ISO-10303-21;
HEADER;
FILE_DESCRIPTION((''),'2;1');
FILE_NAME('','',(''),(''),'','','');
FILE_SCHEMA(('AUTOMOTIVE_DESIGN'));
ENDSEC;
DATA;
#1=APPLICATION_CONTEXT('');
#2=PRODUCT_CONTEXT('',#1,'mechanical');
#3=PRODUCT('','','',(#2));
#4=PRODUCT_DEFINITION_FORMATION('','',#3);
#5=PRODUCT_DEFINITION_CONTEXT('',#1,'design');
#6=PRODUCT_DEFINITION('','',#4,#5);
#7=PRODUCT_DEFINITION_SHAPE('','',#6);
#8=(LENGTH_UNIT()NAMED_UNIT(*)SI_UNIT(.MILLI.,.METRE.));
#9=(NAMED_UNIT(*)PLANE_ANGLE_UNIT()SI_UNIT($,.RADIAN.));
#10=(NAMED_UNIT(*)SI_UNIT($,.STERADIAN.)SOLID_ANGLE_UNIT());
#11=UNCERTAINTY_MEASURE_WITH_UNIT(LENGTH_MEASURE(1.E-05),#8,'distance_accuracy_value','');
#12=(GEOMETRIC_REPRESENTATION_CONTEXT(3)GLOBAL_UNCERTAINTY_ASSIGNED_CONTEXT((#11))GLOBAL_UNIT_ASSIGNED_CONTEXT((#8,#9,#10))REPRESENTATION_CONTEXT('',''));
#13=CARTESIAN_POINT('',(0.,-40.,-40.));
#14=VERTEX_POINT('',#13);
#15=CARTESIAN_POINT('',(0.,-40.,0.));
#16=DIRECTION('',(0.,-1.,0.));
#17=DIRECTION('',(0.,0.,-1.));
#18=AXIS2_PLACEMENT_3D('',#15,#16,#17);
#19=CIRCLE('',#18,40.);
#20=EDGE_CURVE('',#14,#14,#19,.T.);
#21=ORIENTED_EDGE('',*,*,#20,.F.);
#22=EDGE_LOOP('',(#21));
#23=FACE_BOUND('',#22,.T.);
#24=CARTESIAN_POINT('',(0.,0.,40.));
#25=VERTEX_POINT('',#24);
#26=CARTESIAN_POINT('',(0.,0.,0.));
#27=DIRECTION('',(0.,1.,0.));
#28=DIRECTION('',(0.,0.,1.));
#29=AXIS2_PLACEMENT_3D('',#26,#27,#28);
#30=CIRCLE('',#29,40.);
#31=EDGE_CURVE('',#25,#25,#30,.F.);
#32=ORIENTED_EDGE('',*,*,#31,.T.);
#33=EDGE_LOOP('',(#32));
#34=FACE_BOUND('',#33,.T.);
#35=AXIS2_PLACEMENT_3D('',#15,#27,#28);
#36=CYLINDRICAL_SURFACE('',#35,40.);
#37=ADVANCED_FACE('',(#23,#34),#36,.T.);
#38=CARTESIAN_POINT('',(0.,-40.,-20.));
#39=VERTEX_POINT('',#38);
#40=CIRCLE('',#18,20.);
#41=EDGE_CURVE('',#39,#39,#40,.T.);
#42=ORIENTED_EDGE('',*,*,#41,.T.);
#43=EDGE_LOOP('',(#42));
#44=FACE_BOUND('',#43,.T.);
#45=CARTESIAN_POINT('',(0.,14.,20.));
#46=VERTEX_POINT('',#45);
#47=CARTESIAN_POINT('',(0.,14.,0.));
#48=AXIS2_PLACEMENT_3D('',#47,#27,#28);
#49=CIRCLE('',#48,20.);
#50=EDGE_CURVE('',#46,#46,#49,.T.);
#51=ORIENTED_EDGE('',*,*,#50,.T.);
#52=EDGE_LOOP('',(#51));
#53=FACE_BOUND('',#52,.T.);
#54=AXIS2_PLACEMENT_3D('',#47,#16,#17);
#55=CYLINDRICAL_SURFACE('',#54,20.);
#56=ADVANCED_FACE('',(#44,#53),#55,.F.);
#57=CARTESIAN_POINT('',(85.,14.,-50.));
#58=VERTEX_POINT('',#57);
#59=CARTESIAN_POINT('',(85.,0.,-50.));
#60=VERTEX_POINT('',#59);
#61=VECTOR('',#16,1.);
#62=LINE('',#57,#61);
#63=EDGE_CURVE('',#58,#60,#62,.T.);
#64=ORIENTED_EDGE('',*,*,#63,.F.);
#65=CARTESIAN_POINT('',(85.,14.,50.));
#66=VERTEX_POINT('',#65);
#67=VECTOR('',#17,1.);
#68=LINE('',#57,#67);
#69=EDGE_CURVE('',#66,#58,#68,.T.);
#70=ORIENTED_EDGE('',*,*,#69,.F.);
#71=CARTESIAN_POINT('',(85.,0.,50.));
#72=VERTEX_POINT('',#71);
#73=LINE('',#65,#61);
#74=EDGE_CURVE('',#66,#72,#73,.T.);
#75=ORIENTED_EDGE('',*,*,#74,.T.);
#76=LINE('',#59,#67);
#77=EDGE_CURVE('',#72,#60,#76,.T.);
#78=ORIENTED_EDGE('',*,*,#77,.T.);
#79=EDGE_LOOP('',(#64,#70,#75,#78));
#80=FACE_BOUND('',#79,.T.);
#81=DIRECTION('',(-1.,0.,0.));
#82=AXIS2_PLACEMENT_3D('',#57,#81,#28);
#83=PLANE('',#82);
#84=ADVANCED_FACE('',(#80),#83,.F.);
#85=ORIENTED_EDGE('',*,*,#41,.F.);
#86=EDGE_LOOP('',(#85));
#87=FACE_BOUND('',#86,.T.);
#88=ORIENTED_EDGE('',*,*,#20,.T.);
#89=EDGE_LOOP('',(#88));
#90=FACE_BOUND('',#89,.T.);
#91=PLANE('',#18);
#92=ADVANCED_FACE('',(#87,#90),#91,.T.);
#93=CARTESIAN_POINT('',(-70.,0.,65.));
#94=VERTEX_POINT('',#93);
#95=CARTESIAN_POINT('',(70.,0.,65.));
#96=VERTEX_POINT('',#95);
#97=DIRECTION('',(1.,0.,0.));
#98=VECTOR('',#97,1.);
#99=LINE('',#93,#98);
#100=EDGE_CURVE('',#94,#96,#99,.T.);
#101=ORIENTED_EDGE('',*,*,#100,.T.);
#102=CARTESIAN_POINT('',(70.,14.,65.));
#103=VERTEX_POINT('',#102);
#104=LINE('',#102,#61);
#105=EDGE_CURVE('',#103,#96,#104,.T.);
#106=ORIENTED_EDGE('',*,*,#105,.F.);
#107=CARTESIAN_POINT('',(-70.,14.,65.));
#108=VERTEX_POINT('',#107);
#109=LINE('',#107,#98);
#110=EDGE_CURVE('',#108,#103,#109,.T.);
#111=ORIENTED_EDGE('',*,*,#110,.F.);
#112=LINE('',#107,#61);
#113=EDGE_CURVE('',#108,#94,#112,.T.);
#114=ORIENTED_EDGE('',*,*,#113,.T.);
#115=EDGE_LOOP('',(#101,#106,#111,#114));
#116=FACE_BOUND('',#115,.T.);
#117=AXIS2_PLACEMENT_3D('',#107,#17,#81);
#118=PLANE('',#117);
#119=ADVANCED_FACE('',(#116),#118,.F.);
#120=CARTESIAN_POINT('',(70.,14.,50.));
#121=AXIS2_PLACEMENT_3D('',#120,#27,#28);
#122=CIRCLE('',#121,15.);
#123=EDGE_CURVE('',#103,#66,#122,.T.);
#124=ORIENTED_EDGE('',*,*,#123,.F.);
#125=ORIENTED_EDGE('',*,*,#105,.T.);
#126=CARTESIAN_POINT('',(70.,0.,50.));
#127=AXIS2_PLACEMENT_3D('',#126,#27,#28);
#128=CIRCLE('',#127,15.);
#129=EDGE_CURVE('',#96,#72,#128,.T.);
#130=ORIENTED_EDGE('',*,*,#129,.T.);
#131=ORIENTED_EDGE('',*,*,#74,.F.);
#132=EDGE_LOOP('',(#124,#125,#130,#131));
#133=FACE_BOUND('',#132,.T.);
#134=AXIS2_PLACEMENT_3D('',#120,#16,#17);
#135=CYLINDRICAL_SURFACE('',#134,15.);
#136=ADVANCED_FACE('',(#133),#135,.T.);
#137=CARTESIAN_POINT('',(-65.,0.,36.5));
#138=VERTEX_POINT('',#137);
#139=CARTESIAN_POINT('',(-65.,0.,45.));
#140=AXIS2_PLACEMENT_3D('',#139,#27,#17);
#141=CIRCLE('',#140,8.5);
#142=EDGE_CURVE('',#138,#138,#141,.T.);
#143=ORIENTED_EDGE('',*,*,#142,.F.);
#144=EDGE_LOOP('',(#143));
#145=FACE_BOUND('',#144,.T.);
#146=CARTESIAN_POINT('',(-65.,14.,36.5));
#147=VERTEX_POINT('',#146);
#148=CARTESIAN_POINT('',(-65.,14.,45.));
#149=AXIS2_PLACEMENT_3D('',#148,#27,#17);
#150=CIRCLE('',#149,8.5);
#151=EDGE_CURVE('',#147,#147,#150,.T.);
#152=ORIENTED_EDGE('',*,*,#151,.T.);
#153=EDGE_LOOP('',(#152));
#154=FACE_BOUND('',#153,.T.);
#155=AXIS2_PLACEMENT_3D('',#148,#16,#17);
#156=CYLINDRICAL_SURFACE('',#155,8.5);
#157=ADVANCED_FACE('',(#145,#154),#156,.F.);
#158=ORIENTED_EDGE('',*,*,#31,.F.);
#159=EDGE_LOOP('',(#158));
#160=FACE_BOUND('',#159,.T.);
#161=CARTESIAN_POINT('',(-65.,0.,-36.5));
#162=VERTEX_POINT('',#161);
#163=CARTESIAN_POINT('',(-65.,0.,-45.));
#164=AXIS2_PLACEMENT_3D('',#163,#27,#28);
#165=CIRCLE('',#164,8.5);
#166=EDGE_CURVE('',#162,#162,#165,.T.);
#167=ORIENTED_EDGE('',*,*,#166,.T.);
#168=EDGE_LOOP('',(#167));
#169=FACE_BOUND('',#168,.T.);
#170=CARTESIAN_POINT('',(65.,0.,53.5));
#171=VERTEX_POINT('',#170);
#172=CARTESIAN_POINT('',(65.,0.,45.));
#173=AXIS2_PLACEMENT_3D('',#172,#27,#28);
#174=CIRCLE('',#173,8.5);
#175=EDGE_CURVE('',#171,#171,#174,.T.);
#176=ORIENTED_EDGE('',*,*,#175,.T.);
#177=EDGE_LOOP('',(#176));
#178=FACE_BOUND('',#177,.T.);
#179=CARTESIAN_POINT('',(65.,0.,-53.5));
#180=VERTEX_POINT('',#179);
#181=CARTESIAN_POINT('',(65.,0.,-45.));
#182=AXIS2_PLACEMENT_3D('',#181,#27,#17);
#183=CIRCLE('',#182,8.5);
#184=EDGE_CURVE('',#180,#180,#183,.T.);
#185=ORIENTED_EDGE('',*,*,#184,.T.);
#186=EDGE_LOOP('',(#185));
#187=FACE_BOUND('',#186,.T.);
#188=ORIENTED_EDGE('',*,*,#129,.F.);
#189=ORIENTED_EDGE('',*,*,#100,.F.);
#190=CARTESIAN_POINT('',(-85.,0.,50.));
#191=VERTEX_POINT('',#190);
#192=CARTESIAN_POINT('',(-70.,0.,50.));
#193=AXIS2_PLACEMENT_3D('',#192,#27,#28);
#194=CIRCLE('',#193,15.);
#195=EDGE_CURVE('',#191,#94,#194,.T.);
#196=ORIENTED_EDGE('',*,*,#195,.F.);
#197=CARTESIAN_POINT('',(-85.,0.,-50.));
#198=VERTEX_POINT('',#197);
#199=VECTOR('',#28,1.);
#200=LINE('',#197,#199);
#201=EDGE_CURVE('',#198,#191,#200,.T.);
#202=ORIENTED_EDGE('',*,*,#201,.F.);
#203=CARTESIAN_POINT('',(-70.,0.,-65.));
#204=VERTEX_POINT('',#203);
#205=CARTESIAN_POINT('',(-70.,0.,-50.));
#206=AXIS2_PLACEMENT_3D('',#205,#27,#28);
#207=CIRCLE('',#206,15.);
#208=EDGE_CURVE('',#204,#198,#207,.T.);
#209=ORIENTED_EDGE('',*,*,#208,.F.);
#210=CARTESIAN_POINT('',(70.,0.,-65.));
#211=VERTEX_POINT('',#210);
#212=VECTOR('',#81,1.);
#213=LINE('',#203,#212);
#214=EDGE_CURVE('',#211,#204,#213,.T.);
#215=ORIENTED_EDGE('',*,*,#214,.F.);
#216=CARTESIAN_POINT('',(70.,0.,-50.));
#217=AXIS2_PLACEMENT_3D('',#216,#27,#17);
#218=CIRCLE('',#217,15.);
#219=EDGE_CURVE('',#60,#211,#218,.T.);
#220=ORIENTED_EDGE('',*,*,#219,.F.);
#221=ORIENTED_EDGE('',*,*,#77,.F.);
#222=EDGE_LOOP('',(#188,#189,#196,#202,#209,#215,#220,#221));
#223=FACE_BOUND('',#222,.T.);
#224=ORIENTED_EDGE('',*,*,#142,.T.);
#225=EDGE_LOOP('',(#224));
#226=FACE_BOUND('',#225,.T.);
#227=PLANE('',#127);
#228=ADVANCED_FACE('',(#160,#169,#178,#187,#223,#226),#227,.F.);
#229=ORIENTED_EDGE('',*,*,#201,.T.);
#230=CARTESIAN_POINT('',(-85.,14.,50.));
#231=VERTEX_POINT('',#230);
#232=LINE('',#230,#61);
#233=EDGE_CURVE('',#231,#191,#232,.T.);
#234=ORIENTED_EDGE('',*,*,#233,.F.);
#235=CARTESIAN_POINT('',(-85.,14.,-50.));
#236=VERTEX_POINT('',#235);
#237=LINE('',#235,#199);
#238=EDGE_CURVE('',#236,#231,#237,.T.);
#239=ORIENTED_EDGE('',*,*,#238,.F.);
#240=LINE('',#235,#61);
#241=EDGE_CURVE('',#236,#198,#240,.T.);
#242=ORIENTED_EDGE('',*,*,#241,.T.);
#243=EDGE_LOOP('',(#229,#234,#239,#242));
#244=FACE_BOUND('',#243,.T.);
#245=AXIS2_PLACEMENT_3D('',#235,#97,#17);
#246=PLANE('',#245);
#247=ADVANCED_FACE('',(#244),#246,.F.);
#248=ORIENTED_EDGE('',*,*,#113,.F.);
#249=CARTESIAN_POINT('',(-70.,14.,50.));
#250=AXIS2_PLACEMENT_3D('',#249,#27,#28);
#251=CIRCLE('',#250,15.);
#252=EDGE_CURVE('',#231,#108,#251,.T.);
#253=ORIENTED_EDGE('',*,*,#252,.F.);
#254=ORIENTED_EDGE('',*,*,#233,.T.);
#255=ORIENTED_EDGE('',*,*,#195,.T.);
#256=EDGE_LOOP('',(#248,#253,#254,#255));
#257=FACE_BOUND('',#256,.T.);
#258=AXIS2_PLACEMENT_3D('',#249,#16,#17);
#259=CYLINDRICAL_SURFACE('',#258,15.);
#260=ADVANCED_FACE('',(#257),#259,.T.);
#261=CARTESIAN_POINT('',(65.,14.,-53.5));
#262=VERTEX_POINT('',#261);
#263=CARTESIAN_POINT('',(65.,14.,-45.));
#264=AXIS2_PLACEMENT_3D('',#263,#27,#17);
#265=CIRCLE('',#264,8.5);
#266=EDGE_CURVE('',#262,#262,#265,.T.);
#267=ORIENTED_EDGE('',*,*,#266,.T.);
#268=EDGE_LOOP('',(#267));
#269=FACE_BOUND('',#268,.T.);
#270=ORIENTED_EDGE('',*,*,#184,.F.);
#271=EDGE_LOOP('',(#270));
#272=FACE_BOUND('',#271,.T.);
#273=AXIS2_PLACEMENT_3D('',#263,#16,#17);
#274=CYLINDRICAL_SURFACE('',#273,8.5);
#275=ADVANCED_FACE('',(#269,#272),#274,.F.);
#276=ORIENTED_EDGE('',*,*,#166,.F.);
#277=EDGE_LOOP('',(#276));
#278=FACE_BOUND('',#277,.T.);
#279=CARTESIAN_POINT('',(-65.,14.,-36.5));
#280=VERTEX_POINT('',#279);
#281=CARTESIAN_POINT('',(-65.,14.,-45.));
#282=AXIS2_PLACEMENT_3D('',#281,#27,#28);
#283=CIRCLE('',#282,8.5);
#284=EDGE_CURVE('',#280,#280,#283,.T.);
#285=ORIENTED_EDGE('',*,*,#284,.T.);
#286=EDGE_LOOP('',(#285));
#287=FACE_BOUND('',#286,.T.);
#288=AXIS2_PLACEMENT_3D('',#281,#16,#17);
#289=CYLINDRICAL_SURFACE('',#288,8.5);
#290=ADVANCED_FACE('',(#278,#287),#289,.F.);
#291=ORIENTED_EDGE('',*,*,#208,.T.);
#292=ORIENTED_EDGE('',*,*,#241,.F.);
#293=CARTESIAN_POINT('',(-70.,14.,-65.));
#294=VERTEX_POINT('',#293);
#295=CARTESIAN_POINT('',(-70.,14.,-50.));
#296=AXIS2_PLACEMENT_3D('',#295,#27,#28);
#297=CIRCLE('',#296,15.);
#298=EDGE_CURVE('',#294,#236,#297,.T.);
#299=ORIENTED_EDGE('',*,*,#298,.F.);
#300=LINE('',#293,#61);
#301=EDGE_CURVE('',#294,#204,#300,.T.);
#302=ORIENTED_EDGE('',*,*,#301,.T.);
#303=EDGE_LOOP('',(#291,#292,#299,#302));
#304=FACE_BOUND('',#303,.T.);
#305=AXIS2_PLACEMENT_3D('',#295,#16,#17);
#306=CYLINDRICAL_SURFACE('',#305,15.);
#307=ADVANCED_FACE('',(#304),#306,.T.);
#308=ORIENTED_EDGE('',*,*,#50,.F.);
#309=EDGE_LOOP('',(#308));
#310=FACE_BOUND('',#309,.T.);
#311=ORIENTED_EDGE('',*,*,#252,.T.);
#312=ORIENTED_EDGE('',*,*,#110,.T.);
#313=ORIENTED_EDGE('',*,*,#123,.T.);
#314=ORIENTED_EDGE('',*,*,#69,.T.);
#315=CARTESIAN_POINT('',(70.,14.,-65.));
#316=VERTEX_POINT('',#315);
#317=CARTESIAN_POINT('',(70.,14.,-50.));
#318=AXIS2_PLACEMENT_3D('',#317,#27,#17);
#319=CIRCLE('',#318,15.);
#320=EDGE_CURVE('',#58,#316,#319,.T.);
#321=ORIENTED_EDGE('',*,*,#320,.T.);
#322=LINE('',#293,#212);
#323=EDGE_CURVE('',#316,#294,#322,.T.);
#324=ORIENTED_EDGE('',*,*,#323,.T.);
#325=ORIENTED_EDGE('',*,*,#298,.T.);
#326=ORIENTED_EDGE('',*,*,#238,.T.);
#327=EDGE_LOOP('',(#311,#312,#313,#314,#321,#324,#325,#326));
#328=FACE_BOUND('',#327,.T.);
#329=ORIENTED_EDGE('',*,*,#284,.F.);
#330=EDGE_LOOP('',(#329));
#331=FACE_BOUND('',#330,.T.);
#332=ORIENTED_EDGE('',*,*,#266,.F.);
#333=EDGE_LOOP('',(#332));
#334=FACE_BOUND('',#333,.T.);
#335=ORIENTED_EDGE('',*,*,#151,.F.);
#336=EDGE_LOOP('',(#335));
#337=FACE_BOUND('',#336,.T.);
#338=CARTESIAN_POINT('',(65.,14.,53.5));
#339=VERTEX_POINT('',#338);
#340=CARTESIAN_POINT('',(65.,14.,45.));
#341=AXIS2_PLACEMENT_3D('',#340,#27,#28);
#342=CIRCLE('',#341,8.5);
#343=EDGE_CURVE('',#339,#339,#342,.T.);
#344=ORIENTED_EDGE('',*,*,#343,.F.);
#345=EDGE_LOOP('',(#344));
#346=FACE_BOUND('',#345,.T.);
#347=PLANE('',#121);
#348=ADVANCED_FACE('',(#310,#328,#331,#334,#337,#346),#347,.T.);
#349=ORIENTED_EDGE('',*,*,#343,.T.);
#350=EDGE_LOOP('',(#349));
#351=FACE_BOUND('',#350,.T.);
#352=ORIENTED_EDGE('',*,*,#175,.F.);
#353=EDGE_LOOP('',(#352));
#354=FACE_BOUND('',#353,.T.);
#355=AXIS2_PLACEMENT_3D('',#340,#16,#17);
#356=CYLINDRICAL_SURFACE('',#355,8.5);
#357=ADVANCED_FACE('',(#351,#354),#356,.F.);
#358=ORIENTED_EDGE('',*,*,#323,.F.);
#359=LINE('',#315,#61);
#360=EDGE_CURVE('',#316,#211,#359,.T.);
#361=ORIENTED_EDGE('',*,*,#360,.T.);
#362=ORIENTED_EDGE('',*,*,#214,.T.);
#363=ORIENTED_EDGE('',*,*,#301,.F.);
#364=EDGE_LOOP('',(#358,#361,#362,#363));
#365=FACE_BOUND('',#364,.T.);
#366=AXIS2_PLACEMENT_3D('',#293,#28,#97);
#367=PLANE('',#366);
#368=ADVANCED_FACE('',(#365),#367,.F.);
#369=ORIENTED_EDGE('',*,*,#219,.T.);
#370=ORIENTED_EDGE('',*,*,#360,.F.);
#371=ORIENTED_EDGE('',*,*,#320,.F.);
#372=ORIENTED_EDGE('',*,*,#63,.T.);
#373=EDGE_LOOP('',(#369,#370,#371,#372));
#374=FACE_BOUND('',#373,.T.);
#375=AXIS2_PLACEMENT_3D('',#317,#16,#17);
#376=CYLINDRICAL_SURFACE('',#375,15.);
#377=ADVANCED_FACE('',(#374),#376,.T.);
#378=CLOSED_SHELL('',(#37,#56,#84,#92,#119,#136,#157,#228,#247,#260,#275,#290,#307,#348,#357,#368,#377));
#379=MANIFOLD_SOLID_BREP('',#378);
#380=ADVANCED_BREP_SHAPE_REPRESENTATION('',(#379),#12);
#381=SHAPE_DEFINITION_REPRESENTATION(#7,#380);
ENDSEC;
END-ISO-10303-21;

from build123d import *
from build123d.topology import SkipClean

# Parameters (mm, degrees)
SCHIZZO1_R                   = 20
SCHIZZO1_R_2                 = 8.5
ESTRUSIONE_ESTRUSIONE1_DEPTH = 14
ESTRUSIONE_ESTRUSIONE2_START = 40
SCHIZZO2_R                   = 40
SCHIZZO2_R_2                 = 20
ESTRUSIONE_ESTRUSIONE2_DEPTH = 40


with BuildPart() as part:
    # Schizzo1 → Estrusione-Estrusione1 (new body)
    with BuildSketch(Plane(origin=(0, 0, 0), x_dir=(1, 0, 0), z_dir=(0, 1, 0))):
        with BuildLine():
            Line((-70, 65), (70, 65))
            ThreePointArc((70, 65), (80.606601718, 60.606601718), (85, 50))
            Line((85, 50), (85, -50))
            ThreePointArc((85, -50), (80.606601718, -60.606601718), (70, -65))
            Line((70, -65), (-70, -65))
            ThreePointArc((-70, -65), (-80.606601718, -60.606601718), (-85, -50))
            Line((-85, -50), (-85, 50))
            ThreePointArc((-85, 50), (-80.606601718, 60.606601718), (-70, 65))
        make_face()
        with Locations(Location((0, 0, 0), (0, 0, 270))):
            Circle(SCHIZZO1_R, mode=Mode.SUBTRACT)
        with Locations(Location((65, -45, 0), (0, 0, 270))):
            Circle(SCHIZZO1_R_2, mode=Mode.SUBTRACT)
        with Locations(Location((65, 45, 0), (0, 0, 90))):
            Circle(SCHIZZO1_R_2, mode=Mode.SUBTRACT)
        with Locations(Location((-65, -45, 0), (0, 0, 90))):
            Circle(SCHIZZO1_R_2, mode=Mode.SUBTRACT)
        with Locations(Location((-65, 45, 0), (0, 0, 270))):
            Circle(SCHIZZO1_R_2, mode=Mode.SUBTRACT)
    extrude(amount=ESTRUSIONE_ESTRUSIONE1_DEPTH)

    # Schizzo2 → Estrusione-Estrusione2 (add)
    with SkipClean():  # the faces are left unmerged after this step: merging them gives an invalid solid
        with BuildSketch(Plane.XZ.offset(ESTRUSIONE_ESTRUSIONE2_START)):
            with Locations(Location((0, 0, 0), (0, 0, 90))):
                Circle(SCHIZZO2_R)
            with Locations(Location((0, 0, 0), (0, 0, 270))):
                Circle(SCHIZZO2_R_2, mode=Mode.SUBTRACT)
        extrude(amount=-ESTRUSIONE_ESTRUSIONE2_DEPTH)


solid = part.part
